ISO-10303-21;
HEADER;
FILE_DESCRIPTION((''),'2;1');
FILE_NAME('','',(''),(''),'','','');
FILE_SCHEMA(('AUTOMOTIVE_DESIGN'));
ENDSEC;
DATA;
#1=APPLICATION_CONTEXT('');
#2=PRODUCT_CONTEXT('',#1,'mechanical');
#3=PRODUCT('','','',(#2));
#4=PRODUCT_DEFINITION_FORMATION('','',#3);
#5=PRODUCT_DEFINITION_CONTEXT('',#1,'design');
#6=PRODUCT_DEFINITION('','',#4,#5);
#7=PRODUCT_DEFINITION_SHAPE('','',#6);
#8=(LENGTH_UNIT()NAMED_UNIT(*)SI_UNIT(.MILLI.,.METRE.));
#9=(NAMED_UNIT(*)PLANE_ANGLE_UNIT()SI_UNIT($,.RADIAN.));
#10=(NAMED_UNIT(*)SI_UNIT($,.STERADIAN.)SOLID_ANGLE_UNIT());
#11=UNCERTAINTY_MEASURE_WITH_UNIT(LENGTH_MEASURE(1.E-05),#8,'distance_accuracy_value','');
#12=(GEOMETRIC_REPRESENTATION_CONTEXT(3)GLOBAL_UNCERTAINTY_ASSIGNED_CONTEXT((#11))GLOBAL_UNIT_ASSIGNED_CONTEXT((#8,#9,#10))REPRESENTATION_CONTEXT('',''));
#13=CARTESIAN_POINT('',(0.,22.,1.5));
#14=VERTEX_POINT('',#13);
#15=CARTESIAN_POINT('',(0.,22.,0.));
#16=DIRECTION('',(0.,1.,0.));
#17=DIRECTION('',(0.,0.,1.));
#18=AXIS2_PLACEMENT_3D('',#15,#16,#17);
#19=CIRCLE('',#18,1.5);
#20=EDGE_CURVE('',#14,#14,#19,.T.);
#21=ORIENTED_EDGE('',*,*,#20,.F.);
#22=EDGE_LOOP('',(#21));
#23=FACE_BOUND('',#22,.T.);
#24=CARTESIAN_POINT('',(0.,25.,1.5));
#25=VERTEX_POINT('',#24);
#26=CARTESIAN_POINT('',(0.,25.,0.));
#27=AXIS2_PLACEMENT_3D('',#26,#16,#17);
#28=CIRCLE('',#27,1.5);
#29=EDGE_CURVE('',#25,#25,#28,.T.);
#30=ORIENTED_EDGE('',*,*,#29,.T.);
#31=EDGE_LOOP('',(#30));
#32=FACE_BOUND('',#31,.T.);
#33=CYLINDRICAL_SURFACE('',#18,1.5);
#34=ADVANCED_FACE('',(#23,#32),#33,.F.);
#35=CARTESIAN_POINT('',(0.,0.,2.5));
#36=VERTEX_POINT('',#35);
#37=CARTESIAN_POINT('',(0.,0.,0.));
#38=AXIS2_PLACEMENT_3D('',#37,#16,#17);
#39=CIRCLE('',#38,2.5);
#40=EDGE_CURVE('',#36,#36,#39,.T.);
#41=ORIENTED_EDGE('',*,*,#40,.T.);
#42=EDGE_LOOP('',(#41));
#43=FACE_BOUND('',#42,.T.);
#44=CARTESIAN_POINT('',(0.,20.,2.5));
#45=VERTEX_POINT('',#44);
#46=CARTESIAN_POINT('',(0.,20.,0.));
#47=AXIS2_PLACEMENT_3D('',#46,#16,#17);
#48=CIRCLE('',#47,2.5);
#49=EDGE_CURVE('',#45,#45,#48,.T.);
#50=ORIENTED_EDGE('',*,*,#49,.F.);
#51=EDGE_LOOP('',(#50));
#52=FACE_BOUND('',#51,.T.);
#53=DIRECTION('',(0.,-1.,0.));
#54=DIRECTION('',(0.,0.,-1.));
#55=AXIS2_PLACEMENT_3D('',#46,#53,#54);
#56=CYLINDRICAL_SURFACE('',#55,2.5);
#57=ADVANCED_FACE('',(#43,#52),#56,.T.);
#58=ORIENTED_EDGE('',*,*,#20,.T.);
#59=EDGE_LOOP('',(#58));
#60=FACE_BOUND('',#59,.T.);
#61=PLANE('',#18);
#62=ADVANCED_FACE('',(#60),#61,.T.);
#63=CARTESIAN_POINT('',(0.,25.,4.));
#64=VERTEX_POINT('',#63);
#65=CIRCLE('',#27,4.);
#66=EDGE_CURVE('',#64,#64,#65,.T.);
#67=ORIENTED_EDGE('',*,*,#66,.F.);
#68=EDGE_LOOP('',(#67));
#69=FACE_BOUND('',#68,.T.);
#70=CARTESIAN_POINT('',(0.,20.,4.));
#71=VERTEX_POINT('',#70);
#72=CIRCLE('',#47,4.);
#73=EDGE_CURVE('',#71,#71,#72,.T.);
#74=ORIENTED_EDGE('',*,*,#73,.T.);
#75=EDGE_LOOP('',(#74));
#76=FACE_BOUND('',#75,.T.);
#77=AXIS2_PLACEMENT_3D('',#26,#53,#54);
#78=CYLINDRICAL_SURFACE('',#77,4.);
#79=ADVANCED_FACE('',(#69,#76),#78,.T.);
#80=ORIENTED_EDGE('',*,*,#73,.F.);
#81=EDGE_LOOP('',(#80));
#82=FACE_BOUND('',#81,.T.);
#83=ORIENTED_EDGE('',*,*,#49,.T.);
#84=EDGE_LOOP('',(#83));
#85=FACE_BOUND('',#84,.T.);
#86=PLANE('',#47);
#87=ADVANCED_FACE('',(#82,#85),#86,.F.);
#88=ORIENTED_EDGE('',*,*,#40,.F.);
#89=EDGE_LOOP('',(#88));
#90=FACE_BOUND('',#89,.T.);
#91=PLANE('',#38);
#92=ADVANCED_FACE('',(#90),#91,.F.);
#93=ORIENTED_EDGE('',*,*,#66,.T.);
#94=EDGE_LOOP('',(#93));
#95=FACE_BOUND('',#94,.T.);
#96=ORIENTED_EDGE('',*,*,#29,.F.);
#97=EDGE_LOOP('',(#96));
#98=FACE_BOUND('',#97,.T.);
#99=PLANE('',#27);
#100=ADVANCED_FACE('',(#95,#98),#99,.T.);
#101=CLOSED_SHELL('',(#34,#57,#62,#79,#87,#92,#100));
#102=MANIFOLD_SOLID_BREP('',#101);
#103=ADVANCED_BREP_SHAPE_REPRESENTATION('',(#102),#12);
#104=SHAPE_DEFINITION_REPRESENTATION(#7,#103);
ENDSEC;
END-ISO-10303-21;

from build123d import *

# Parameters (mm, degrees)
SKETCH1_R           = 2.5
BOSS_EXTRUDE1_DEPTH = 20
SKETCH2_R           = 4
BOSS_EXTRUDE2_DEPTH = 5
SKETCH3_R           = 1.5
CUT_EXTRUDE1_DEPTH  = 3


with BuildPart() as part:
    # Sketch1 → Boss-Extrude1 (new body)
    with BuildSketch(Plane(origin=(0, 0, 0), x_dir=(1, 0, 0), z_dir=(0, 1, 0))):
        Circle(SKETCH1_R)
    extrude(amount=BOSS_EXTRUDE1_DEPTH)

    # Sketch2 → Boss-Extrude2 (add)
    with BuildSketch(Plane(origin=(0, 20, 0), x_dir=(1, 0, 0), z_dir=(0, 1, 0))):
        Circle(SKETCH2_R)
    extrude(amount=BOSS_EXTRUDE2_DEPTH)

    # Sketch3 → Cut-Extrude1 (cut)
    with BuildSketch(Plane(origin=(0, 25, 0), x_dir=(1, 0, 0), z_dir=(0, 1, 0))):
        Circle(SKETCH3_R)
    extrude(amount=-CUT_EXTRUDE1_DEPTH, mode=Mode.SUBTRACT)


solid = part.part
